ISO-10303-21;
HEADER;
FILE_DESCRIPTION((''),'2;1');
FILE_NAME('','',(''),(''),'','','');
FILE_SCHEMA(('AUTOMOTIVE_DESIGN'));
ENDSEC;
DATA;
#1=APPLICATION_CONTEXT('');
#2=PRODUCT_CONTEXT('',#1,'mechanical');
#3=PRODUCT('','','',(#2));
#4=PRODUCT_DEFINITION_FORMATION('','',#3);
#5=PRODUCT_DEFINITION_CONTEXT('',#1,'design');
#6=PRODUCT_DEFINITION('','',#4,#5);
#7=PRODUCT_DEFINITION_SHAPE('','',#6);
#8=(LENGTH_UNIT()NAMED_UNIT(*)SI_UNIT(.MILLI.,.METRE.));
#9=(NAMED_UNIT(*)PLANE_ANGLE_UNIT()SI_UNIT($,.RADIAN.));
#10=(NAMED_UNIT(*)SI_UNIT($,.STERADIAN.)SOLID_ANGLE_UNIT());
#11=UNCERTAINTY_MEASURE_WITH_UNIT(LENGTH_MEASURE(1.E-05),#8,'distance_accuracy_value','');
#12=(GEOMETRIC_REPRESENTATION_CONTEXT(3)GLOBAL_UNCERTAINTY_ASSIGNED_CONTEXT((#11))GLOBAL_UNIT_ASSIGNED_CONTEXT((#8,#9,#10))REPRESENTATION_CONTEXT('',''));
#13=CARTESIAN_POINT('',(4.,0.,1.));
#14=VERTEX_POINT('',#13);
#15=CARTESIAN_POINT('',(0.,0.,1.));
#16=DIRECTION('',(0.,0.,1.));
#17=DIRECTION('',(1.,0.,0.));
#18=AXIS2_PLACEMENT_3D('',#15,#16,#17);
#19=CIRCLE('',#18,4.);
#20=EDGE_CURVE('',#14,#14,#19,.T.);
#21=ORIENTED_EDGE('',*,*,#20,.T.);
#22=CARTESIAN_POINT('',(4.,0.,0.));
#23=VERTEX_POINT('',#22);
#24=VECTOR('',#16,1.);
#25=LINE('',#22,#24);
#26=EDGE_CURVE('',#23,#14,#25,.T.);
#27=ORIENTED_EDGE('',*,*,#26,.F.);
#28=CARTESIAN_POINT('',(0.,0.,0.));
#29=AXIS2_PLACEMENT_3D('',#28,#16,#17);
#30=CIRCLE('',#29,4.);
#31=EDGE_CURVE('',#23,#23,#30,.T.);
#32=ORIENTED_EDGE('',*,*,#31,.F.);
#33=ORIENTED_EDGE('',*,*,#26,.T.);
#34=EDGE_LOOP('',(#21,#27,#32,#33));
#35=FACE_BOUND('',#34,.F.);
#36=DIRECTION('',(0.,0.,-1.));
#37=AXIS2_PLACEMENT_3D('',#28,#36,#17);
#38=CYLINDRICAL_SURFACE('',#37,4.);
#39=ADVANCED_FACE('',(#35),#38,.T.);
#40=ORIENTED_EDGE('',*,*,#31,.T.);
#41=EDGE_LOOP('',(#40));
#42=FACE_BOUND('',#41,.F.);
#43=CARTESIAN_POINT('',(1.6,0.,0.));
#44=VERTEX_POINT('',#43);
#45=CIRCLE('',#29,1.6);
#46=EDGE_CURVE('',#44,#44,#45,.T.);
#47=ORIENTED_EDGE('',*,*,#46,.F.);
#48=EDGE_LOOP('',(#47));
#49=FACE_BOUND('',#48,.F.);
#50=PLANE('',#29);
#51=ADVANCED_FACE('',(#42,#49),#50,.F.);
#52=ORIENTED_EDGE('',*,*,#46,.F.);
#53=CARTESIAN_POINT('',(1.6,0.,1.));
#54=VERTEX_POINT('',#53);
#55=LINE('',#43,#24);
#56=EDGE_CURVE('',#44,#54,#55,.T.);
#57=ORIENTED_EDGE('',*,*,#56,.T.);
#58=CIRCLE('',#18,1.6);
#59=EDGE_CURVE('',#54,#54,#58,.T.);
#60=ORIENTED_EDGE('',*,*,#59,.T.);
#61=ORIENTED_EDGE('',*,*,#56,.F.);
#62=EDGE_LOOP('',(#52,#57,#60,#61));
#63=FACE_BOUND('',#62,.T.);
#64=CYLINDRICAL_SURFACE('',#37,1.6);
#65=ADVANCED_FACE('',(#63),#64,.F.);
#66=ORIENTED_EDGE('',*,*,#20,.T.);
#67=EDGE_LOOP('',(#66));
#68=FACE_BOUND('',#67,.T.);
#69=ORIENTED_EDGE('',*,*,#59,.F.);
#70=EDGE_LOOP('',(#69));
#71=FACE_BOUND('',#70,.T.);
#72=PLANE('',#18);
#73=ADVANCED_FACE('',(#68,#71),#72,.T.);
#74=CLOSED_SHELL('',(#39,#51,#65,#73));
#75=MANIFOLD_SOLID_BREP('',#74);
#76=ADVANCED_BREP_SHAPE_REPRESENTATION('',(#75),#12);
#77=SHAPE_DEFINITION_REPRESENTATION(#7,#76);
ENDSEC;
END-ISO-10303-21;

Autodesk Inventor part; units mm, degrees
ref_plane "YZ Plane" through (0, 0, 0) normal (1, 0, 0) x (0, 1, 0)
ref_plane "XZ Plane" through (0, 0, 0) normal (0, 1, 0) x (-1, 0, 0)
ref_plane "XY Plane" through (0, 0, 0) normal (0, 0, 1) x (1, 0, 0)
sketch "スケッチ1" plane through (0, 0, 0) normal (0, 0, 1) x (1, 0, 0)
  circle A0 centre (0, 0) radius 4
  circle A1 centre (0, 0) radius 1.6
  dimension "d0" = 8
  dimension "d1" = 3.2
extrude "押し出し1" add sketch "スケッチ1" along normal blind 1
properties part number "チタンワッシャー　3.2-8-1" material "チタン"
